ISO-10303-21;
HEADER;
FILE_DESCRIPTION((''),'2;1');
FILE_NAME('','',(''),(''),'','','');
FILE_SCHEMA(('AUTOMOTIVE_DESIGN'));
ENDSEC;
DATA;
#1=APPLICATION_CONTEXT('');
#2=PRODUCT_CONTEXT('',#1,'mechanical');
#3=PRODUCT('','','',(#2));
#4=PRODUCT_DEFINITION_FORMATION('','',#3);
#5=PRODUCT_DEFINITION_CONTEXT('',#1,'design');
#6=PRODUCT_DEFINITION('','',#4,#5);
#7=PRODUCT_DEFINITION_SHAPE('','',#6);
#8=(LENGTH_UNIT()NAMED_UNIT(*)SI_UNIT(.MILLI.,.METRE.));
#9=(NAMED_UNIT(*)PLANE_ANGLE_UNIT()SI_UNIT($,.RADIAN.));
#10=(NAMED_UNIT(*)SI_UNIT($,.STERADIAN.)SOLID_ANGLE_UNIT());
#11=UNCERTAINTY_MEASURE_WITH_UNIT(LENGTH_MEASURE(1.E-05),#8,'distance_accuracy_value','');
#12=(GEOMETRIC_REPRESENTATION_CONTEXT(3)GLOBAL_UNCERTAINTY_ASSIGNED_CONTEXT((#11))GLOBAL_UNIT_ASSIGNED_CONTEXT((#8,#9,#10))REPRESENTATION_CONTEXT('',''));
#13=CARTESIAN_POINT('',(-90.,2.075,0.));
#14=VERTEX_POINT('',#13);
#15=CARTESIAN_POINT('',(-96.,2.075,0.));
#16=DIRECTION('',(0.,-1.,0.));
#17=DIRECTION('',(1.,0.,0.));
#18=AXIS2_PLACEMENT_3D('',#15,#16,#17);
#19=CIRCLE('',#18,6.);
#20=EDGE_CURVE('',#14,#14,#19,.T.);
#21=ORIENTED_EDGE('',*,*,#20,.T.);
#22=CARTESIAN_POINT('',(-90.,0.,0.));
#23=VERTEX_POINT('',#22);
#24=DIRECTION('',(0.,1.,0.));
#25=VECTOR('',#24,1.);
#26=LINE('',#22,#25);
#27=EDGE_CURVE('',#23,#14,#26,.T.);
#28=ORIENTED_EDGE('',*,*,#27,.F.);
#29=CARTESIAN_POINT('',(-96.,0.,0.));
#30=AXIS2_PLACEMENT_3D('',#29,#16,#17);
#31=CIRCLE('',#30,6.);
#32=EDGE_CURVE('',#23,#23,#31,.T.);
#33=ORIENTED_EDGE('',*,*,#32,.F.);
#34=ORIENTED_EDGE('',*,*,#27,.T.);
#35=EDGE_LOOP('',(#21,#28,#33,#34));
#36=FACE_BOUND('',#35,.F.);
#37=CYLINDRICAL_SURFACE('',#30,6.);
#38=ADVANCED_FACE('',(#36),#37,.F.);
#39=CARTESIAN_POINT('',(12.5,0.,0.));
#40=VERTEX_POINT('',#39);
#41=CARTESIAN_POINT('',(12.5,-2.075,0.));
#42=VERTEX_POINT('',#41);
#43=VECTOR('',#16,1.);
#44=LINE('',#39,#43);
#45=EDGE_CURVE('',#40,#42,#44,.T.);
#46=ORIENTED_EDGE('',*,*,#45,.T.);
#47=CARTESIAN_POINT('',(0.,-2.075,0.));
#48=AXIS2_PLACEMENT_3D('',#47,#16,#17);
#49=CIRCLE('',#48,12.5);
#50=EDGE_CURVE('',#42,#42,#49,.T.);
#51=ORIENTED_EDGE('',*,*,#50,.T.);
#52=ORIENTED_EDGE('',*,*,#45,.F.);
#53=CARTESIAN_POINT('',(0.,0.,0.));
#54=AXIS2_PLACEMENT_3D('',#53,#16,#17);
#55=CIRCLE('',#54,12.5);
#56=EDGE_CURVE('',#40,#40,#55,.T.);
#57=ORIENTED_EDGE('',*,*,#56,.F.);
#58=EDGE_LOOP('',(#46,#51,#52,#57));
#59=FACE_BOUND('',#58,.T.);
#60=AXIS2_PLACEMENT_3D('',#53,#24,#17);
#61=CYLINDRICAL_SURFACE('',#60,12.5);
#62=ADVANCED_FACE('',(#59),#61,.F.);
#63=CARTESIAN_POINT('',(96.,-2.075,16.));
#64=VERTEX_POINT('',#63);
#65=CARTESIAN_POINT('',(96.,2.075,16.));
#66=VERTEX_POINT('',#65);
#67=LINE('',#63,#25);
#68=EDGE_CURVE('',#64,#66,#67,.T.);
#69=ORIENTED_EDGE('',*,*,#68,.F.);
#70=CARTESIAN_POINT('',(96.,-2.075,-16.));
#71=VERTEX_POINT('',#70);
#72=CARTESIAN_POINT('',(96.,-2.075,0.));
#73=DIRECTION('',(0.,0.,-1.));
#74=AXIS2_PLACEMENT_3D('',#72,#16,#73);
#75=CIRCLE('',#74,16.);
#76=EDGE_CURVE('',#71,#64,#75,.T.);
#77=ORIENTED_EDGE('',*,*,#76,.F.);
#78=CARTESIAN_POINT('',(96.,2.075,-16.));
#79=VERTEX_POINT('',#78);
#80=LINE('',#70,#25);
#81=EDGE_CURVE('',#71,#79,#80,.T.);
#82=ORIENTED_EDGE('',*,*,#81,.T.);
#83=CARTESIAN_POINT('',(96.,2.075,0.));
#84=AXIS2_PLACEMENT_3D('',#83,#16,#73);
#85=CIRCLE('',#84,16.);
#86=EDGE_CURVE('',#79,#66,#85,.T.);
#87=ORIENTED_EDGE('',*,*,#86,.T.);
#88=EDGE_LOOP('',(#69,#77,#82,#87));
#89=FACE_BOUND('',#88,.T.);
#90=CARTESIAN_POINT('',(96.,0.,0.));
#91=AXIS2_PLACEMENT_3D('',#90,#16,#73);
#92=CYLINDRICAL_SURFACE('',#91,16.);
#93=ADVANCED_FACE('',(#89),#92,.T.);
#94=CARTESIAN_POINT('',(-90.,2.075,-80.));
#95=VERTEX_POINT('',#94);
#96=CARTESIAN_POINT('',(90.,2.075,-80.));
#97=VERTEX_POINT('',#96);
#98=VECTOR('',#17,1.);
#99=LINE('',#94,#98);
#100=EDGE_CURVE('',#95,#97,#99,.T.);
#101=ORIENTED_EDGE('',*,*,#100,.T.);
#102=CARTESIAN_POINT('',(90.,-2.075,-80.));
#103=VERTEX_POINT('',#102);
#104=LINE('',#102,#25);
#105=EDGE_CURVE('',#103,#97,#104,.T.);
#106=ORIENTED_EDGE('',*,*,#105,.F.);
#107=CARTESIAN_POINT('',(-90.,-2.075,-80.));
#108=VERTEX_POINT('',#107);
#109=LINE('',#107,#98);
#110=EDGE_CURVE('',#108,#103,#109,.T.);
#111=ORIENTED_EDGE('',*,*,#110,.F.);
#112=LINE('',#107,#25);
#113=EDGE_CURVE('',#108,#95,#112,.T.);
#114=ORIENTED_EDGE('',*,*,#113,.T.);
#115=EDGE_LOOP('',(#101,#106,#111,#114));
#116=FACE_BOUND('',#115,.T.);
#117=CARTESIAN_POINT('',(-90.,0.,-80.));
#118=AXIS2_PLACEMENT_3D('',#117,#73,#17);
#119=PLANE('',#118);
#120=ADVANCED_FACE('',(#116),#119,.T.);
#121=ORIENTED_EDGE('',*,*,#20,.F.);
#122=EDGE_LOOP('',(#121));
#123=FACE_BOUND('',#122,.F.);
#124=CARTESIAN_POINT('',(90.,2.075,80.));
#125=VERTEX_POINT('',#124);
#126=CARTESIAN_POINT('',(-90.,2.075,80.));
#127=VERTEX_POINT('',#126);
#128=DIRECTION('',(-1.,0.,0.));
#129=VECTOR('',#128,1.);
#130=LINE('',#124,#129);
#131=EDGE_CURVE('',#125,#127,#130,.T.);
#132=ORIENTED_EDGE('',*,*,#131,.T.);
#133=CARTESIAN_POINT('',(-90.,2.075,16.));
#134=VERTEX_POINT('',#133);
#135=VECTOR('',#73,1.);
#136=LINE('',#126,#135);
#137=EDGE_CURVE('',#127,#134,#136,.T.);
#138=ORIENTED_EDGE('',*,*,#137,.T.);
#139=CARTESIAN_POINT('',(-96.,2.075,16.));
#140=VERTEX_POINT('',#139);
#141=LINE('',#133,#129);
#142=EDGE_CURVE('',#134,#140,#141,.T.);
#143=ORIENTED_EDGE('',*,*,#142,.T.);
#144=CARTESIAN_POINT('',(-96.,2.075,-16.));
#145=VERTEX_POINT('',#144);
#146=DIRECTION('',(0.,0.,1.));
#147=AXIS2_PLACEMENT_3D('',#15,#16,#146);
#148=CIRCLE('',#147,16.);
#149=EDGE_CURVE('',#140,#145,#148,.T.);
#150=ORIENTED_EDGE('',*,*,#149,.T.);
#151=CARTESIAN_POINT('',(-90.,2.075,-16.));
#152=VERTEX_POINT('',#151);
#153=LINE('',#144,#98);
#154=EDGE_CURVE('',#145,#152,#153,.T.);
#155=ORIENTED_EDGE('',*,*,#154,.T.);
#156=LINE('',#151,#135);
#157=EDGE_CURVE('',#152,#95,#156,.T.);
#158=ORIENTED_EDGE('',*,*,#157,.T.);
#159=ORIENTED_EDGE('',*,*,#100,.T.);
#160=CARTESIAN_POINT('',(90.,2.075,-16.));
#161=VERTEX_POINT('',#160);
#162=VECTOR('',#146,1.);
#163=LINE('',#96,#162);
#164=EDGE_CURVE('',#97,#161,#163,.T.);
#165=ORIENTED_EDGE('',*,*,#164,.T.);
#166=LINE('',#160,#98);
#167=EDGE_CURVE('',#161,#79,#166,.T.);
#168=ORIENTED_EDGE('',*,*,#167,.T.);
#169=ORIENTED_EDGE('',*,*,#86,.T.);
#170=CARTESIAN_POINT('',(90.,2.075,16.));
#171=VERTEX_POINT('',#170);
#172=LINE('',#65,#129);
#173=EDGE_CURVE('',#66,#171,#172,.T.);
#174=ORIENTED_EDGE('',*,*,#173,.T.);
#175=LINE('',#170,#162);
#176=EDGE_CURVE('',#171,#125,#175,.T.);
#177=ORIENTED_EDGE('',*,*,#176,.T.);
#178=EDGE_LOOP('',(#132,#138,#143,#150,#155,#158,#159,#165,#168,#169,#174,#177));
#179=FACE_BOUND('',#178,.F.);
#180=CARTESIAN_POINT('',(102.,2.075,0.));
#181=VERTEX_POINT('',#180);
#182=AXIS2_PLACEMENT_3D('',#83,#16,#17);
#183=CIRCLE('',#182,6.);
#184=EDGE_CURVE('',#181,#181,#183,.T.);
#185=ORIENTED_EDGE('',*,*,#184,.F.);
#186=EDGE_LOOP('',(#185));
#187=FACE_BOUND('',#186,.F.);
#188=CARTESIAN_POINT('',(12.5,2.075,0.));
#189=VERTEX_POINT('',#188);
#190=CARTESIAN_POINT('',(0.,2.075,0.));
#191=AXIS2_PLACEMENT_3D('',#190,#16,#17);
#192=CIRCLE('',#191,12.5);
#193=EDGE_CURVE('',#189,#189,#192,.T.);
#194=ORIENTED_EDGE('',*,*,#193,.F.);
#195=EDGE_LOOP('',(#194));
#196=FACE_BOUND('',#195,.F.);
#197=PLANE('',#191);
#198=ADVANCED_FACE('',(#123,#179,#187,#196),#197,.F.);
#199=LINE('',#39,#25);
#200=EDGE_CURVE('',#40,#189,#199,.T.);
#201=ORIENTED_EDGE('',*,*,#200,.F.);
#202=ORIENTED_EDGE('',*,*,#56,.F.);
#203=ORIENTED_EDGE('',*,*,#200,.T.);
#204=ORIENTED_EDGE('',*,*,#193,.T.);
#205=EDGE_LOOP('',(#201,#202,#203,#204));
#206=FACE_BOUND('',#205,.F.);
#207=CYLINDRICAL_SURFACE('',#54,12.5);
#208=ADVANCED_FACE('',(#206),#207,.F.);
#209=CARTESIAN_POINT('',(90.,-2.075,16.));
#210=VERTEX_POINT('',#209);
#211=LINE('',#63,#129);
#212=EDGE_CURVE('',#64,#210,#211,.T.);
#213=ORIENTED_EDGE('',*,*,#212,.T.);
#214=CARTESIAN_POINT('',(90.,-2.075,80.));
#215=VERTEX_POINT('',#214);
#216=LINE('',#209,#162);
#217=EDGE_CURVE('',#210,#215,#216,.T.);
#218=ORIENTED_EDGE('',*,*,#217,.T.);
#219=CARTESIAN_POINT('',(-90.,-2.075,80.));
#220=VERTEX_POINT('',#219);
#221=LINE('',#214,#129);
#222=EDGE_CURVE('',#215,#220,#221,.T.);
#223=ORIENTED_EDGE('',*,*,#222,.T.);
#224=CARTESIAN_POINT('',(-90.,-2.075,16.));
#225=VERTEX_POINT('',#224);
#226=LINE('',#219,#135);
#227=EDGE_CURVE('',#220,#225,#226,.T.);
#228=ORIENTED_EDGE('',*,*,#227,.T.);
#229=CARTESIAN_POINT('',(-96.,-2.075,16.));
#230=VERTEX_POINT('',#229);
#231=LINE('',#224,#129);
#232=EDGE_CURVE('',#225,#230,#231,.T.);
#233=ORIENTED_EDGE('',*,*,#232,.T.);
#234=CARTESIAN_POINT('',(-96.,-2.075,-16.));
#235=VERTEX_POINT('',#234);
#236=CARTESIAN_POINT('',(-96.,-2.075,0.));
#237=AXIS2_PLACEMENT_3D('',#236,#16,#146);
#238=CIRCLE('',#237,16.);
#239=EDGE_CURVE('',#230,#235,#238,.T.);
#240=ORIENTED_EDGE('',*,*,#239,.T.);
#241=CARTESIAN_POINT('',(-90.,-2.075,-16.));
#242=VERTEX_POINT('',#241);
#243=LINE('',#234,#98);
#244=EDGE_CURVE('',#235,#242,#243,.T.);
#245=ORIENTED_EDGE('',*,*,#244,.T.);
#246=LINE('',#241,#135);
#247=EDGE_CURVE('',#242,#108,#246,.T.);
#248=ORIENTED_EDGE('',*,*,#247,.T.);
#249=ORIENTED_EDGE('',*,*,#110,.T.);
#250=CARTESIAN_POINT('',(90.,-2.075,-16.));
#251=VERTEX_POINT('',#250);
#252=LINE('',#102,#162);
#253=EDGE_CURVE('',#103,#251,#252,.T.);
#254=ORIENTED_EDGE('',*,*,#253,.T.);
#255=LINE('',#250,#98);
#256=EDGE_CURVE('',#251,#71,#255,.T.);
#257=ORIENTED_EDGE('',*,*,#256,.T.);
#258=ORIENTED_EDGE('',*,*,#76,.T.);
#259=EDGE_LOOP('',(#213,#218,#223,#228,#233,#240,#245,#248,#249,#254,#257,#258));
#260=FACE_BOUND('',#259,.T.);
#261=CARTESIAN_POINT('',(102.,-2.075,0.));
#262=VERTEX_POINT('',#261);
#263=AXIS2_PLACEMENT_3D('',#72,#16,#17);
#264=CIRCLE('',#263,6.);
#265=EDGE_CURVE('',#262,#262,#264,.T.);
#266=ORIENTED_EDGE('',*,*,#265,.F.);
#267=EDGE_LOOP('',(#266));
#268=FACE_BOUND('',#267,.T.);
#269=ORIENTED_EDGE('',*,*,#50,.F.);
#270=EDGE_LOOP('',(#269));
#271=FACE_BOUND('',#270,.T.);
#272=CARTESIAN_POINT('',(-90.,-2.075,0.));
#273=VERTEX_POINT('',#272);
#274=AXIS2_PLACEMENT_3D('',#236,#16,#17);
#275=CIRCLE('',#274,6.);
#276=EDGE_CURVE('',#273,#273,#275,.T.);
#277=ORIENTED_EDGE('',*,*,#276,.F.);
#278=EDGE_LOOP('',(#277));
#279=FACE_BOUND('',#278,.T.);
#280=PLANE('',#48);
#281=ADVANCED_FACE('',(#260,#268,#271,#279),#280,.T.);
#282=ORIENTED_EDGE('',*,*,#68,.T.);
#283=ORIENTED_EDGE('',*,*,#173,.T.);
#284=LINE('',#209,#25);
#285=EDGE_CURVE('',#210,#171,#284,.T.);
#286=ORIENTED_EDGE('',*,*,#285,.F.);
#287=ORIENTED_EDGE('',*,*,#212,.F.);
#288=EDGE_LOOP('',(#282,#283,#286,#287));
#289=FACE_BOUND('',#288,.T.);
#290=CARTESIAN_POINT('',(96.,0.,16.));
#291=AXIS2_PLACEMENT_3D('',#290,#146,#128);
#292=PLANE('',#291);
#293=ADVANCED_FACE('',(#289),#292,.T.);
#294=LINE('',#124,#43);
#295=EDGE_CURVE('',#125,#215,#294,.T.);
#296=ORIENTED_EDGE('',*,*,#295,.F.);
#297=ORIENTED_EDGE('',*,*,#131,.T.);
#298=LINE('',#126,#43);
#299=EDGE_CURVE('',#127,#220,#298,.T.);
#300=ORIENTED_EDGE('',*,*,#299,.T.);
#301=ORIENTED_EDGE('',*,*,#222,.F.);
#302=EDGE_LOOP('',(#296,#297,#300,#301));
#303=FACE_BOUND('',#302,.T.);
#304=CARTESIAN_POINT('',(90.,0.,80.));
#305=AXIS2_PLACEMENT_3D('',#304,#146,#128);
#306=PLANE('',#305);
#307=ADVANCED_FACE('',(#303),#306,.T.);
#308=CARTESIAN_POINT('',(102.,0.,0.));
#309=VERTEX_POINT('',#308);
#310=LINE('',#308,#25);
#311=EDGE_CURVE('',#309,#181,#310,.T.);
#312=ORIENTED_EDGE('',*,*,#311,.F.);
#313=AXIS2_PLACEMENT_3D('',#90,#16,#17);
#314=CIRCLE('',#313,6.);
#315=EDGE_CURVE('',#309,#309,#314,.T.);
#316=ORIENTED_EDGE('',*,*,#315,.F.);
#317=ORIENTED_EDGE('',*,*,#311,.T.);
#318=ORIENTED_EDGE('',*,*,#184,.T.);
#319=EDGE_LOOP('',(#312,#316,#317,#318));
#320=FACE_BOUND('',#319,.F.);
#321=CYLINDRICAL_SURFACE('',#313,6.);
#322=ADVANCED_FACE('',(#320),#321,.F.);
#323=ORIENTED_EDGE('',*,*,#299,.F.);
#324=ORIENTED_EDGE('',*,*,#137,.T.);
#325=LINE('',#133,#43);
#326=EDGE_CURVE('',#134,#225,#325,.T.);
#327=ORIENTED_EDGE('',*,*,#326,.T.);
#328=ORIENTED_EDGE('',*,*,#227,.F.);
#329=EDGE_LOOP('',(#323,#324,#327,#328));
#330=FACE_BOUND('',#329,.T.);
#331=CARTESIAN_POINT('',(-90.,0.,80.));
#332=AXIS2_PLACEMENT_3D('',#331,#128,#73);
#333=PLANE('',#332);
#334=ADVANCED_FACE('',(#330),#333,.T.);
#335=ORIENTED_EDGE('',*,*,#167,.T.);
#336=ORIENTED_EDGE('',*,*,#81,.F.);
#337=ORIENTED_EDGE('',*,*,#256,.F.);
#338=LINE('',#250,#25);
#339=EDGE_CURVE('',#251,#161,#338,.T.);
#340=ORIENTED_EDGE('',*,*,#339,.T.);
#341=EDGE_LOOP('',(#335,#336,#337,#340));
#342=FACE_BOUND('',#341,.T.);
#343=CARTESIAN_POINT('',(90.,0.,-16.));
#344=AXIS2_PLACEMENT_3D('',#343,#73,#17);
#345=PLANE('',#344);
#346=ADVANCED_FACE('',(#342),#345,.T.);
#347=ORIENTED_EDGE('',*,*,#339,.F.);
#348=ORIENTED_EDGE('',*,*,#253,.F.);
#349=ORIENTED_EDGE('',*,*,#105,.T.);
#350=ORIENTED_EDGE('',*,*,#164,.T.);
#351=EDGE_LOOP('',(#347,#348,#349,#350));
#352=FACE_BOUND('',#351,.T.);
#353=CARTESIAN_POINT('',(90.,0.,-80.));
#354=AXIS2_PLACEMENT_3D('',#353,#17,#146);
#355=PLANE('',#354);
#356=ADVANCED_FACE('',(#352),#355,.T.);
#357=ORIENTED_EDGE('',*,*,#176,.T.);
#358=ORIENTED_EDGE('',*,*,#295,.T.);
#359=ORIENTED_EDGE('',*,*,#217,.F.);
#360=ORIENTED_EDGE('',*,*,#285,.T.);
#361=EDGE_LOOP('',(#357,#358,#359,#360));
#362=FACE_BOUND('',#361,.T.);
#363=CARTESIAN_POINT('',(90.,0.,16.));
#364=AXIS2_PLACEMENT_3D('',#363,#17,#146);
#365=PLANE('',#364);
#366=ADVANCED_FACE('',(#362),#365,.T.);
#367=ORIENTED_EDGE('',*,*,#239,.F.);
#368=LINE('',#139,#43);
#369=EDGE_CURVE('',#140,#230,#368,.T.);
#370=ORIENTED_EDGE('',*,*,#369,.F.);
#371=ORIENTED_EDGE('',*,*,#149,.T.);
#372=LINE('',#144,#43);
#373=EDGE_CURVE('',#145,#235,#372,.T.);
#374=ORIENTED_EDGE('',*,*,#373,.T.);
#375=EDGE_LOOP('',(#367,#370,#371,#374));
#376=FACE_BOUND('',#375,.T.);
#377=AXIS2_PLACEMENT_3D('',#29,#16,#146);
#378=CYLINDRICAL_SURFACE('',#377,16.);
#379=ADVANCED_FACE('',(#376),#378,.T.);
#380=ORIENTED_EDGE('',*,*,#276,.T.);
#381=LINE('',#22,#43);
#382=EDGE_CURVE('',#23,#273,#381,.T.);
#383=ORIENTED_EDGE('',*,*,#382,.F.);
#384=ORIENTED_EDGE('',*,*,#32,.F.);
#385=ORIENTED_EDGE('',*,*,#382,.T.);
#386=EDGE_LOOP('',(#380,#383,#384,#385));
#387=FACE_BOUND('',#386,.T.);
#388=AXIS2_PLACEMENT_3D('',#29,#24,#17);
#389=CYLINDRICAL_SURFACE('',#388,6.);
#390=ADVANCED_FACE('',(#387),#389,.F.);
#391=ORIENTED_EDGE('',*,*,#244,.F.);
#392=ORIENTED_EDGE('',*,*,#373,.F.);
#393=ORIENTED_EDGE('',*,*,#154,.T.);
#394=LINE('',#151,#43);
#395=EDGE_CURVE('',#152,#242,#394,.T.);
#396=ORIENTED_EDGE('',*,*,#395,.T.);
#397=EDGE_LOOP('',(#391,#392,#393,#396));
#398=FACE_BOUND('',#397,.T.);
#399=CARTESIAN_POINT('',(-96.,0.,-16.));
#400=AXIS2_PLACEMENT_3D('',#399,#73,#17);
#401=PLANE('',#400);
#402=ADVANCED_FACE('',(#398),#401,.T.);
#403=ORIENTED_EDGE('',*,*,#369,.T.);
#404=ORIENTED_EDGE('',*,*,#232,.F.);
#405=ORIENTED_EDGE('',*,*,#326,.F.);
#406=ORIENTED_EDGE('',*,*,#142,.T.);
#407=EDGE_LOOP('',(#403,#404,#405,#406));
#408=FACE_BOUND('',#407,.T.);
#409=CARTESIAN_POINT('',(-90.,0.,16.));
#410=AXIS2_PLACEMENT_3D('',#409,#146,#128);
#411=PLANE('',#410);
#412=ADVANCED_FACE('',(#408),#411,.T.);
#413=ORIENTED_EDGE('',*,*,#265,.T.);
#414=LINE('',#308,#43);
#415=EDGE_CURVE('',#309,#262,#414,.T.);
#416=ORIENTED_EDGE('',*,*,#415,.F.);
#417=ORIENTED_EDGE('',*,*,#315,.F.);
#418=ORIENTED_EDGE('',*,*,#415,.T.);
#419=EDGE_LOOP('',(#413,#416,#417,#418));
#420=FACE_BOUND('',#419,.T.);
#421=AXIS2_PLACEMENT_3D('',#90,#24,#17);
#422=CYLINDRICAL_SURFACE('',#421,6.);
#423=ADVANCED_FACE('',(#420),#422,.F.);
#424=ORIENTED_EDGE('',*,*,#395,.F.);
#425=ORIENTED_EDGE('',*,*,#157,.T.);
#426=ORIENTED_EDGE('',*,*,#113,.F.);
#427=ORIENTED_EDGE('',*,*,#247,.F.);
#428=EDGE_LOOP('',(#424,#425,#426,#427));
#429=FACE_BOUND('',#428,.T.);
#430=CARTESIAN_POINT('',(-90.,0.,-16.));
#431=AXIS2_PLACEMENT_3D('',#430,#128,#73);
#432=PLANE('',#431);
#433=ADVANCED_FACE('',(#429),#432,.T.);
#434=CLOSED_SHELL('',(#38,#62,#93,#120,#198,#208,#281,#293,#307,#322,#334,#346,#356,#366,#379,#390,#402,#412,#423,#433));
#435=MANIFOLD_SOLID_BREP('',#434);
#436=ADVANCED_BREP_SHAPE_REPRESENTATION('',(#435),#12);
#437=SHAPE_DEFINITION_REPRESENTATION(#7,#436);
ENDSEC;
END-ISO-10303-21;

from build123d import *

# Parameters (mm, degrees)
F0_R          = 6
F0_R_2        = 12.5
F1_DEPTH      = 2.075
F1_DEPTH_BACK = 2.075


with BuildPart() as f1:
    # F0 (on Front) → F1 (new body, two sides)
    with BuildSketch(Plane.XZ) as f1_sk:
        with BuildLine():
            Line((90, 16), (90, 80))
            Line((90, 80), (-90, 80))
            Line((-90, 80), (-90, 16))
            Line((-90, 16), (-96, 16))
            ThreePointArc((-96, 16), (-112, 0), (-96, -16))
            Line((-96, -16), (-90, -16))
            Line((-90, -16), (-90, -80))
            Line((-90, -80), (90, -80))
            Line((90, -80), (90, -16))
            Line((90, -16), (96, -16))
            ThreePointArc((96, -16), (112, 0), (96, 16))
            Line((96, 16), (90, 16))
        make_face()
        with Locations((-96, 0)):
            Circle(F0_R, mode=Mode.SUBTRACT)
        Circle(F0_R_2, mode=Mode.SUBTRACT)
        with Locations((96, 0)):
            Circle(F0_R, mode=Mode.SUBTRACT)
    extrude(amount=F1_DEPTH)
    extrude(f1_sk.sketch, amount=-F1_DEPTH_BACK)


solid = f1.part
